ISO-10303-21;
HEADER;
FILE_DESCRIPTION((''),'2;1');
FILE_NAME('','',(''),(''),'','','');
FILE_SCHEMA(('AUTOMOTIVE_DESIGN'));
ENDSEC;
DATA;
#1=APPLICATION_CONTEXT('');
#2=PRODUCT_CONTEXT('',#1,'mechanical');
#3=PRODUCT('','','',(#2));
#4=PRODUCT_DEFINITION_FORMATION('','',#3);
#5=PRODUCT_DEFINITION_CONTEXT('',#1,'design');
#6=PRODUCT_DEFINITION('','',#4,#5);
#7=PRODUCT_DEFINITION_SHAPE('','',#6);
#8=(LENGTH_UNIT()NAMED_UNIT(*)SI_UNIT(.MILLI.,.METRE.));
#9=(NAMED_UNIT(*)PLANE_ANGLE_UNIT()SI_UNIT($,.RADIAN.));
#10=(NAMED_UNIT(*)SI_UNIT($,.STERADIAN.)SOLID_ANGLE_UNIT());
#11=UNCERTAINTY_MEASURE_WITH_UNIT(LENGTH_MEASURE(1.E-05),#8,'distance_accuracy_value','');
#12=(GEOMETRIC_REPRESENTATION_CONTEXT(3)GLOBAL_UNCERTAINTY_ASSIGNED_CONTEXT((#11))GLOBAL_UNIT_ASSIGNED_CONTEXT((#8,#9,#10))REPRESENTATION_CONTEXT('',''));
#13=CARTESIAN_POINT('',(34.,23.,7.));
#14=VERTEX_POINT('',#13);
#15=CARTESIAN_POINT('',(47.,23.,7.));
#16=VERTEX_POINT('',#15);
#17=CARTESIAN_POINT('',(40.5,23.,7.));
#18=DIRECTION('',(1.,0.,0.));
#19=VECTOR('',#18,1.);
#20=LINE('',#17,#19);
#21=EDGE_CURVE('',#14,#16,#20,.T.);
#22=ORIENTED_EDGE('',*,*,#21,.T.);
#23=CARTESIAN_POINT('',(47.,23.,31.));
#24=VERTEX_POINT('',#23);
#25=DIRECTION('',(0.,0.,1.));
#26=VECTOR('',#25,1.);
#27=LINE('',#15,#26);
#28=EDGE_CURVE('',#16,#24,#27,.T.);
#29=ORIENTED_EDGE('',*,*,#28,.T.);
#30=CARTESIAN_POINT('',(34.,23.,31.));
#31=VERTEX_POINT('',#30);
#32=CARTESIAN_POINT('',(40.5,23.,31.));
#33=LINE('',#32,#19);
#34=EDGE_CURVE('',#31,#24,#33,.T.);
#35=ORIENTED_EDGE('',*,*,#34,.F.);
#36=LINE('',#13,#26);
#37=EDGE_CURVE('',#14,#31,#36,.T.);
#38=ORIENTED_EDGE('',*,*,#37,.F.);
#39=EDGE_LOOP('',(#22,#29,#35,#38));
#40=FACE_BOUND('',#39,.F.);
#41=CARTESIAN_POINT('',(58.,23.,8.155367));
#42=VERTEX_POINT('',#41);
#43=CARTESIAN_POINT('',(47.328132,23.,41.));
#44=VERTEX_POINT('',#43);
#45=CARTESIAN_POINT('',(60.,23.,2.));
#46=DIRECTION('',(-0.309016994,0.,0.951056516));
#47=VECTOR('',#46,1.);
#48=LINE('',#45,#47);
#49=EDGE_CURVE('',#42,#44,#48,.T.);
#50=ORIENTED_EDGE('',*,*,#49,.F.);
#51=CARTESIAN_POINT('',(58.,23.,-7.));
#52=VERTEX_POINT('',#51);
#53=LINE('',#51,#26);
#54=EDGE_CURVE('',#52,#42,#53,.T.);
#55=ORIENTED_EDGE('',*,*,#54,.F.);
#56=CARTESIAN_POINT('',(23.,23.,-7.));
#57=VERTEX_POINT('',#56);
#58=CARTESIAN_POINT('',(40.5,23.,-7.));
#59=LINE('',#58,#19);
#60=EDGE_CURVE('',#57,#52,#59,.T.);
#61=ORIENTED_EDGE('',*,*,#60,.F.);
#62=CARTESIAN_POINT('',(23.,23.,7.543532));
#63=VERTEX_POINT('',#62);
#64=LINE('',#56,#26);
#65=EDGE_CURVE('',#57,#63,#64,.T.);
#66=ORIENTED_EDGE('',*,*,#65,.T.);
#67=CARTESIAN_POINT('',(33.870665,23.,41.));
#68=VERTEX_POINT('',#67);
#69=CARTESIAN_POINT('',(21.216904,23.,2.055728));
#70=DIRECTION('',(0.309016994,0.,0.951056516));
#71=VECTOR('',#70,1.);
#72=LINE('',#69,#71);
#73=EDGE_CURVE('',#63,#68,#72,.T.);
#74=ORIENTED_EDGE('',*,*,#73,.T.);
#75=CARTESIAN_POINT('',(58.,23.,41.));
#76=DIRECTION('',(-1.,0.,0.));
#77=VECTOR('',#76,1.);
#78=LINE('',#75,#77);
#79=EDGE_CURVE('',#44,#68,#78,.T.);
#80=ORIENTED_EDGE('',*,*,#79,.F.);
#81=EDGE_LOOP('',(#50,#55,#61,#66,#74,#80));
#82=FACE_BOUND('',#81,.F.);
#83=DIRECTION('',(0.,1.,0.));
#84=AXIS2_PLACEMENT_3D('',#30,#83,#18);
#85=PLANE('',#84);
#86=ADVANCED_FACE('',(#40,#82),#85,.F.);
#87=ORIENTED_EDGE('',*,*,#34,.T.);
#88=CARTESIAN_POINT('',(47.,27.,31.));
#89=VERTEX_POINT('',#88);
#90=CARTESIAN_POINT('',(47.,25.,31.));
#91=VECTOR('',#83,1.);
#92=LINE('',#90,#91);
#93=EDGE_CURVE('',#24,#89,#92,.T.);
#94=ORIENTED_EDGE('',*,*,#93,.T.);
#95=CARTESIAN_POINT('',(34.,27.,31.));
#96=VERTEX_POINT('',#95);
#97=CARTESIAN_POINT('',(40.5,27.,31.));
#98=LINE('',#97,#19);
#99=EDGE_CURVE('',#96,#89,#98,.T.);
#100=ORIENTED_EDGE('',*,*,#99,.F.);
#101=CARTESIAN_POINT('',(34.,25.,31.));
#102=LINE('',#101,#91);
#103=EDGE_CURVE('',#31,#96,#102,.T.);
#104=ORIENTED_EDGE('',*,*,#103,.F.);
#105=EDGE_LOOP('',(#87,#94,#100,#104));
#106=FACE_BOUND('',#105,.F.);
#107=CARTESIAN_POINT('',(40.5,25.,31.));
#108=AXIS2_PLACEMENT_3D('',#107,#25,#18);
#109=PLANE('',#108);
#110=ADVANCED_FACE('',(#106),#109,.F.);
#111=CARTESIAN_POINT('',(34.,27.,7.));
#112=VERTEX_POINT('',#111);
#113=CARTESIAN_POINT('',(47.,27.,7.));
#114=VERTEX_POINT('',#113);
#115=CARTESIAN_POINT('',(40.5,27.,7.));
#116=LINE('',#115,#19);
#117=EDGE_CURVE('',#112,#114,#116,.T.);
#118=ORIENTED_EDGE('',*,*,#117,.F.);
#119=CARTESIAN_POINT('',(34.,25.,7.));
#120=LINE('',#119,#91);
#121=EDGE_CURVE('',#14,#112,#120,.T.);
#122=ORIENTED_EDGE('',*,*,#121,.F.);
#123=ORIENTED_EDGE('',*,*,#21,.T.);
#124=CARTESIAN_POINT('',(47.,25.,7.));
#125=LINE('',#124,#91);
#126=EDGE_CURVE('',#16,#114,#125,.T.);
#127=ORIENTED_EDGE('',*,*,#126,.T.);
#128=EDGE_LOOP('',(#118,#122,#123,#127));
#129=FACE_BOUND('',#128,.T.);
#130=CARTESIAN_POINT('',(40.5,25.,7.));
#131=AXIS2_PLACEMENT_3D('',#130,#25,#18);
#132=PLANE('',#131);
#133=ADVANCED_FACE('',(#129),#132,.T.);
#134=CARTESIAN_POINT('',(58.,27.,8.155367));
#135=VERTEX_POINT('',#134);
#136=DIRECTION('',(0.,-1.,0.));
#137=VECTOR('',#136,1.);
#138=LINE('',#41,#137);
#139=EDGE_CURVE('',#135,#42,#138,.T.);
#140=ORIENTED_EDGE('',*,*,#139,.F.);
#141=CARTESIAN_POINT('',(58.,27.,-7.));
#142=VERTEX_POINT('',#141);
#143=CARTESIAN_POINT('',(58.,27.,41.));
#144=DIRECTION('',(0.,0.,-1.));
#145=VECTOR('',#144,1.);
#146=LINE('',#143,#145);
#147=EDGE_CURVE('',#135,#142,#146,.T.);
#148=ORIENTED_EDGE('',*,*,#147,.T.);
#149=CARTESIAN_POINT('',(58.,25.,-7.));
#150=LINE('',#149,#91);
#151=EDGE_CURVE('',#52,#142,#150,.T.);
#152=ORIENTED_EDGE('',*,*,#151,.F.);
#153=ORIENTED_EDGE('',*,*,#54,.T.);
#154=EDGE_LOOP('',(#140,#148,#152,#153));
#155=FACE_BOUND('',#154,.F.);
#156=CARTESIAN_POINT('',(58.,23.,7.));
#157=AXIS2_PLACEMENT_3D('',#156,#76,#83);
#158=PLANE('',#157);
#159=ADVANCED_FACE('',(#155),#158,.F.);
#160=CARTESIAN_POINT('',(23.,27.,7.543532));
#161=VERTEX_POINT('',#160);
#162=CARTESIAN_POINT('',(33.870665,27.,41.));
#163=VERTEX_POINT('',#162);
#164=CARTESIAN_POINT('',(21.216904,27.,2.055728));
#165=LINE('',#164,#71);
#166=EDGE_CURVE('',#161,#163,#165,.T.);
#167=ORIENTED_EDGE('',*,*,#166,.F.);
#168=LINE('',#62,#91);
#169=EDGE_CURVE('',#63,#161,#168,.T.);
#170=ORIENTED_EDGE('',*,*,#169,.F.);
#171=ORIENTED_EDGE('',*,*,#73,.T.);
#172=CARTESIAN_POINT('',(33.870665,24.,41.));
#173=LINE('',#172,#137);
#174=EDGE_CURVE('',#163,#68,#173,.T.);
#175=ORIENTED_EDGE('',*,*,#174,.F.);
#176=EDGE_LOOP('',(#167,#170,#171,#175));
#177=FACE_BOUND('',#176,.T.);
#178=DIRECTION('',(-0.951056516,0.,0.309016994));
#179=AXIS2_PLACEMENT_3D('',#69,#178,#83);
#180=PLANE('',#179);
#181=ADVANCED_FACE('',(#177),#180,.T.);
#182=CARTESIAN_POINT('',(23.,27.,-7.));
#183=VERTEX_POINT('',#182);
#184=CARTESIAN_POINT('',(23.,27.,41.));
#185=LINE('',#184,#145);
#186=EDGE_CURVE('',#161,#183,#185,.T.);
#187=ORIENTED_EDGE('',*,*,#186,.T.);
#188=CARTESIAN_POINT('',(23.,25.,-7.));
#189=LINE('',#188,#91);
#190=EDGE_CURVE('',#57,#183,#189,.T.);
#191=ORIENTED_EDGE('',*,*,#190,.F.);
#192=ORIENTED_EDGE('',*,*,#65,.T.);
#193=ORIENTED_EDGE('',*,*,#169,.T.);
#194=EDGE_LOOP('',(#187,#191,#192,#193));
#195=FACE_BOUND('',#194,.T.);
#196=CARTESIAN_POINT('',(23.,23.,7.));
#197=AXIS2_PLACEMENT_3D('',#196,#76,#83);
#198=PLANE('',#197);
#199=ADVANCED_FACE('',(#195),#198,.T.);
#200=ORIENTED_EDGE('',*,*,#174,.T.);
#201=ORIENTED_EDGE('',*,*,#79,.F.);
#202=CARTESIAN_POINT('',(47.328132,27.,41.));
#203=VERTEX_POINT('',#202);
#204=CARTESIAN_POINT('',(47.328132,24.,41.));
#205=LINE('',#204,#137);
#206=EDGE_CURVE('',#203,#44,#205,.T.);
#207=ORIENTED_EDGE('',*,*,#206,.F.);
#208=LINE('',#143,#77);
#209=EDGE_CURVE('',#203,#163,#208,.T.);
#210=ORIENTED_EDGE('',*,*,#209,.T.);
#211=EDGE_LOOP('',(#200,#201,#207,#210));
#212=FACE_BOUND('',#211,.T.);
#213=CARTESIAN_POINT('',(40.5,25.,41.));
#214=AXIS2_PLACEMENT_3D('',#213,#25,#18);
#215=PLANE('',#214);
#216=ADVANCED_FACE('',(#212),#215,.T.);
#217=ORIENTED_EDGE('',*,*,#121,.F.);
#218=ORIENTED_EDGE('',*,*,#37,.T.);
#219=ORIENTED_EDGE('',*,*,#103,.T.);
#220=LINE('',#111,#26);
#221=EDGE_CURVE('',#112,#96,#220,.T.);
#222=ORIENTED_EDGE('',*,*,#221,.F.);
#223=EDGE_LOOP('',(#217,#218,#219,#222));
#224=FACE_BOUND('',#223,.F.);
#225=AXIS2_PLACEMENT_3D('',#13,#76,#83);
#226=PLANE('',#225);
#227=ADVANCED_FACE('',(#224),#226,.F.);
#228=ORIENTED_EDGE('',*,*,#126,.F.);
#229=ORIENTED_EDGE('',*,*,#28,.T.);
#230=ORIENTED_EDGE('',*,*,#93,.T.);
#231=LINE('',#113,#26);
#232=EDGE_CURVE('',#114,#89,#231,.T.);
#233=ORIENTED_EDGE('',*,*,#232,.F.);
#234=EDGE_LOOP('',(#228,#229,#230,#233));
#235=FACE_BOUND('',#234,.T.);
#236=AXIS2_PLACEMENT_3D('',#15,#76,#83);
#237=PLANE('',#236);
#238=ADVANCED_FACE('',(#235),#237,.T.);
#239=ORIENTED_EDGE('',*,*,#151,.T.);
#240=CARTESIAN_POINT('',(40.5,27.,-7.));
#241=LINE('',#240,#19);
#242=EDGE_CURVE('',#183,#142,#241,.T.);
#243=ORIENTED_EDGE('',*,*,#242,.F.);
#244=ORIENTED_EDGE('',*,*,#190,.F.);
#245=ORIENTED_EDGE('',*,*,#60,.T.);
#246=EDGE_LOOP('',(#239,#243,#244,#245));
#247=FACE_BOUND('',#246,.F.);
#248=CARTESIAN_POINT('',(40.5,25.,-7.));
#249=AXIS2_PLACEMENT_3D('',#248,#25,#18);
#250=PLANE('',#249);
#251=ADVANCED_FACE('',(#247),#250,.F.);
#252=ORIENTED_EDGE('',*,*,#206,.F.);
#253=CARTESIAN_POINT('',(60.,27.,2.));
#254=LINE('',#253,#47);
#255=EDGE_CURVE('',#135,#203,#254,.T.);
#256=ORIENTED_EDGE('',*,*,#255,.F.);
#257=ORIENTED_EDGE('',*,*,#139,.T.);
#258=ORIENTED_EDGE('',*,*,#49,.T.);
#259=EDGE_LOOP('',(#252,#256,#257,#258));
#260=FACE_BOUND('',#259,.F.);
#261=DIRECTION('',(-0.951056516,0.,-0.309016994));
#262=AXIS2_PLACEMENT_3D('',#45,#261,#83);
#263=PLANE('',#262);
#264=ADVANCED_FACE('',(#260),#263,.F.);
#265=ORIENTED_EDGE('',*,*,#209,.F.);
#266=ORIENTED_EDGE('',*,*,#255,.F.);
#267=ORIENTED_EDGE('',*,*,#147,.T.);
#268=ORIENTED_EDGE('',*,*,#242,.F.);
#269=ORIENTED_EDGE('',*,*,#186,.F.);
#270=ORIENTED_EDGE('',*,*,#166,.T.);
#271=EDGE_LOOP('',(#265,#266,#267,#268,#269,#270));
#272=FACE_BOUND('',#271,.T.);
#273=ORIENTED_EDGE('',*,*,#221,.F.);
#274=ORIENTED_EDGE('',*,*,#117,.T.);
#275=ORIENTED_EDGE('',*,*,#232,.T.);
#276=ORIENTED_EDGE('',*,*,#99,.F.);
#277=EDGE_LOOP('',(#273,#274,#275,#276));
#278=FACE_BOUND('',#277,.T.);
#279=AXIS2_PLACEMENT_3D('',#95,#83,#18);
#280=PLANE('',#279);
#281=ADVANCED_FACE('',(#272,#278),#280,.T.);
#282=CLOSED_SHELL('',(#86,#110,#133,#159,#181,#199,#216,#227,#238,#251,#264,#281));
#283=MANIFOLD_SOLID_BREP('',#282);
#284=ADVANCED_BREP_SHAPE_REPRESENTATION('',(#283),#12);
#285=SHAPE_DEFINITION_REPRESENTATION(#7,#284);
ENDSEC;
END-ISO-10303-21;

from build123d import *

# Parameters (mm, degrees)
BOX018_W               = 16
BOX018_H               = 4
BOX018_DEPTH           = 43
BOX018_PLACEMENT_ANGLE = 18
BOX017_W               = 16
BOX017_H               = 4
BOX017_DEPTH           = 43
BOX017_PLACEMENT_ANGLE = 18
BOX014_W               = 11
BOX014_H               = 4
BOX014_DEPTH           = 34
BOX015_W               = 11
BOX015_H               = 4
BOX015_DEPTH           = 34
BOX016_W               = 13
BOX016_H               = 4
BOX016_DEPTH           = 10
BOX013_W               = 35
BOX013_H               = 4
BOX013_DEPTH           = 14


with BuildPart() as w_rfel018:
    # Box018 → Box018 (new body)
    with BuildSketch(Plane.XY):
        with Locations((8, 2)):
            Rectangle(BOX018_W, BOX018_H)
    extrude(amount=BOX018_DEPTH)


with BuildPart() as w_rfel018_1:
    # Box018 placement: moved
    add(w_rfel018.part.moved(Location((39, 0, 9))).rotate(Axis((39, 0, 9), (0, -1, 0)), BOX018_PLACEMENT_ANGLE))


with BuildPart() as fusion010:
    # Box017 → Box017 (new body)
    with BuildSketch(Plane.XY):
        with Locations((8, 2)):
            Rectangle(BOX017_W, BOX017_H)
    extrude(amount=BOX017_DEPTH)


with BuildPart() as fusion010_1:
    # Box017 placement: moved
    add(fusion010.part.moved(Location((-15, 0, 14))).rotate(Axis((-15, 0, 14), (0, 1, 0)), BOX017_PLACEMENT_ANGLE))

    # Fusion010: union Würfel018
    add(w_rfel018_1.part)


with BuildPart() as w_rfel014:
    # Box014 → Box014 (new body)
    with BuildSketch(Plane(origin=(2, 0, 14), x_dir=(1, 0, 0), z_dir=(0, 0, 1))):
        with Locations((5.5, 2)):
            Rectangle(BOX014_W, BOX014_H)
    extrude(amount=BOX014_DEPTH)


with BuildPart() as w_rfel015:
    # Box015 → Box015 (new body)
    with BuildSketch(Plane(origin=(26, 0, 14), x_dir=(1, 0, 0), z_dir=(0, 0, 1))):
        with Locations((5.5, 2)):
            Rectangle(BOX015_W, BOX015_H)
    extrude(amount=BOX015_DEPTH)


with BuildPart() as w_rfel016:
    # Box016 → Box016 (new body)
    with BuildSketch(Plane(origin=(13, 0, 38), x_dir=(1, 0, 0), z_dir=(0, 0, 1))):
        with Locations((6.5, 2)):
            Rectangle(BOX016_W, BOX016_H)
    extrude(amount=BOX016_DEPTH)


with BuildPart() as cut004:
    # Box013 → Box013 (new body)
    with BuildSketch(Plane(origin=(2, 0, 0), x_dir=(1, 0, 0), z_dir=(0, 0, 1))):
        with Locations((17.5, 2)):
            Rectangle(BOX013_W, BOX013_H)
    extrude(amount=BOX013_DEPTH)

    # Fusion009: union Würfel014, Würfel015, Würfel016
    add(w_rfel014.part)
    add(w_rfel015.part)
    add(w_rfel016.part)

    # Cut004: cut Fusion010
    add(fusion010_1.part, mode=Mode.SUBTRACT)


with BuildPart() as cut004_1:
    # Cut004 placement: moved
    add(cut004.part.moved(Location((21, 23, -7))))


solid = cut004_1.part
